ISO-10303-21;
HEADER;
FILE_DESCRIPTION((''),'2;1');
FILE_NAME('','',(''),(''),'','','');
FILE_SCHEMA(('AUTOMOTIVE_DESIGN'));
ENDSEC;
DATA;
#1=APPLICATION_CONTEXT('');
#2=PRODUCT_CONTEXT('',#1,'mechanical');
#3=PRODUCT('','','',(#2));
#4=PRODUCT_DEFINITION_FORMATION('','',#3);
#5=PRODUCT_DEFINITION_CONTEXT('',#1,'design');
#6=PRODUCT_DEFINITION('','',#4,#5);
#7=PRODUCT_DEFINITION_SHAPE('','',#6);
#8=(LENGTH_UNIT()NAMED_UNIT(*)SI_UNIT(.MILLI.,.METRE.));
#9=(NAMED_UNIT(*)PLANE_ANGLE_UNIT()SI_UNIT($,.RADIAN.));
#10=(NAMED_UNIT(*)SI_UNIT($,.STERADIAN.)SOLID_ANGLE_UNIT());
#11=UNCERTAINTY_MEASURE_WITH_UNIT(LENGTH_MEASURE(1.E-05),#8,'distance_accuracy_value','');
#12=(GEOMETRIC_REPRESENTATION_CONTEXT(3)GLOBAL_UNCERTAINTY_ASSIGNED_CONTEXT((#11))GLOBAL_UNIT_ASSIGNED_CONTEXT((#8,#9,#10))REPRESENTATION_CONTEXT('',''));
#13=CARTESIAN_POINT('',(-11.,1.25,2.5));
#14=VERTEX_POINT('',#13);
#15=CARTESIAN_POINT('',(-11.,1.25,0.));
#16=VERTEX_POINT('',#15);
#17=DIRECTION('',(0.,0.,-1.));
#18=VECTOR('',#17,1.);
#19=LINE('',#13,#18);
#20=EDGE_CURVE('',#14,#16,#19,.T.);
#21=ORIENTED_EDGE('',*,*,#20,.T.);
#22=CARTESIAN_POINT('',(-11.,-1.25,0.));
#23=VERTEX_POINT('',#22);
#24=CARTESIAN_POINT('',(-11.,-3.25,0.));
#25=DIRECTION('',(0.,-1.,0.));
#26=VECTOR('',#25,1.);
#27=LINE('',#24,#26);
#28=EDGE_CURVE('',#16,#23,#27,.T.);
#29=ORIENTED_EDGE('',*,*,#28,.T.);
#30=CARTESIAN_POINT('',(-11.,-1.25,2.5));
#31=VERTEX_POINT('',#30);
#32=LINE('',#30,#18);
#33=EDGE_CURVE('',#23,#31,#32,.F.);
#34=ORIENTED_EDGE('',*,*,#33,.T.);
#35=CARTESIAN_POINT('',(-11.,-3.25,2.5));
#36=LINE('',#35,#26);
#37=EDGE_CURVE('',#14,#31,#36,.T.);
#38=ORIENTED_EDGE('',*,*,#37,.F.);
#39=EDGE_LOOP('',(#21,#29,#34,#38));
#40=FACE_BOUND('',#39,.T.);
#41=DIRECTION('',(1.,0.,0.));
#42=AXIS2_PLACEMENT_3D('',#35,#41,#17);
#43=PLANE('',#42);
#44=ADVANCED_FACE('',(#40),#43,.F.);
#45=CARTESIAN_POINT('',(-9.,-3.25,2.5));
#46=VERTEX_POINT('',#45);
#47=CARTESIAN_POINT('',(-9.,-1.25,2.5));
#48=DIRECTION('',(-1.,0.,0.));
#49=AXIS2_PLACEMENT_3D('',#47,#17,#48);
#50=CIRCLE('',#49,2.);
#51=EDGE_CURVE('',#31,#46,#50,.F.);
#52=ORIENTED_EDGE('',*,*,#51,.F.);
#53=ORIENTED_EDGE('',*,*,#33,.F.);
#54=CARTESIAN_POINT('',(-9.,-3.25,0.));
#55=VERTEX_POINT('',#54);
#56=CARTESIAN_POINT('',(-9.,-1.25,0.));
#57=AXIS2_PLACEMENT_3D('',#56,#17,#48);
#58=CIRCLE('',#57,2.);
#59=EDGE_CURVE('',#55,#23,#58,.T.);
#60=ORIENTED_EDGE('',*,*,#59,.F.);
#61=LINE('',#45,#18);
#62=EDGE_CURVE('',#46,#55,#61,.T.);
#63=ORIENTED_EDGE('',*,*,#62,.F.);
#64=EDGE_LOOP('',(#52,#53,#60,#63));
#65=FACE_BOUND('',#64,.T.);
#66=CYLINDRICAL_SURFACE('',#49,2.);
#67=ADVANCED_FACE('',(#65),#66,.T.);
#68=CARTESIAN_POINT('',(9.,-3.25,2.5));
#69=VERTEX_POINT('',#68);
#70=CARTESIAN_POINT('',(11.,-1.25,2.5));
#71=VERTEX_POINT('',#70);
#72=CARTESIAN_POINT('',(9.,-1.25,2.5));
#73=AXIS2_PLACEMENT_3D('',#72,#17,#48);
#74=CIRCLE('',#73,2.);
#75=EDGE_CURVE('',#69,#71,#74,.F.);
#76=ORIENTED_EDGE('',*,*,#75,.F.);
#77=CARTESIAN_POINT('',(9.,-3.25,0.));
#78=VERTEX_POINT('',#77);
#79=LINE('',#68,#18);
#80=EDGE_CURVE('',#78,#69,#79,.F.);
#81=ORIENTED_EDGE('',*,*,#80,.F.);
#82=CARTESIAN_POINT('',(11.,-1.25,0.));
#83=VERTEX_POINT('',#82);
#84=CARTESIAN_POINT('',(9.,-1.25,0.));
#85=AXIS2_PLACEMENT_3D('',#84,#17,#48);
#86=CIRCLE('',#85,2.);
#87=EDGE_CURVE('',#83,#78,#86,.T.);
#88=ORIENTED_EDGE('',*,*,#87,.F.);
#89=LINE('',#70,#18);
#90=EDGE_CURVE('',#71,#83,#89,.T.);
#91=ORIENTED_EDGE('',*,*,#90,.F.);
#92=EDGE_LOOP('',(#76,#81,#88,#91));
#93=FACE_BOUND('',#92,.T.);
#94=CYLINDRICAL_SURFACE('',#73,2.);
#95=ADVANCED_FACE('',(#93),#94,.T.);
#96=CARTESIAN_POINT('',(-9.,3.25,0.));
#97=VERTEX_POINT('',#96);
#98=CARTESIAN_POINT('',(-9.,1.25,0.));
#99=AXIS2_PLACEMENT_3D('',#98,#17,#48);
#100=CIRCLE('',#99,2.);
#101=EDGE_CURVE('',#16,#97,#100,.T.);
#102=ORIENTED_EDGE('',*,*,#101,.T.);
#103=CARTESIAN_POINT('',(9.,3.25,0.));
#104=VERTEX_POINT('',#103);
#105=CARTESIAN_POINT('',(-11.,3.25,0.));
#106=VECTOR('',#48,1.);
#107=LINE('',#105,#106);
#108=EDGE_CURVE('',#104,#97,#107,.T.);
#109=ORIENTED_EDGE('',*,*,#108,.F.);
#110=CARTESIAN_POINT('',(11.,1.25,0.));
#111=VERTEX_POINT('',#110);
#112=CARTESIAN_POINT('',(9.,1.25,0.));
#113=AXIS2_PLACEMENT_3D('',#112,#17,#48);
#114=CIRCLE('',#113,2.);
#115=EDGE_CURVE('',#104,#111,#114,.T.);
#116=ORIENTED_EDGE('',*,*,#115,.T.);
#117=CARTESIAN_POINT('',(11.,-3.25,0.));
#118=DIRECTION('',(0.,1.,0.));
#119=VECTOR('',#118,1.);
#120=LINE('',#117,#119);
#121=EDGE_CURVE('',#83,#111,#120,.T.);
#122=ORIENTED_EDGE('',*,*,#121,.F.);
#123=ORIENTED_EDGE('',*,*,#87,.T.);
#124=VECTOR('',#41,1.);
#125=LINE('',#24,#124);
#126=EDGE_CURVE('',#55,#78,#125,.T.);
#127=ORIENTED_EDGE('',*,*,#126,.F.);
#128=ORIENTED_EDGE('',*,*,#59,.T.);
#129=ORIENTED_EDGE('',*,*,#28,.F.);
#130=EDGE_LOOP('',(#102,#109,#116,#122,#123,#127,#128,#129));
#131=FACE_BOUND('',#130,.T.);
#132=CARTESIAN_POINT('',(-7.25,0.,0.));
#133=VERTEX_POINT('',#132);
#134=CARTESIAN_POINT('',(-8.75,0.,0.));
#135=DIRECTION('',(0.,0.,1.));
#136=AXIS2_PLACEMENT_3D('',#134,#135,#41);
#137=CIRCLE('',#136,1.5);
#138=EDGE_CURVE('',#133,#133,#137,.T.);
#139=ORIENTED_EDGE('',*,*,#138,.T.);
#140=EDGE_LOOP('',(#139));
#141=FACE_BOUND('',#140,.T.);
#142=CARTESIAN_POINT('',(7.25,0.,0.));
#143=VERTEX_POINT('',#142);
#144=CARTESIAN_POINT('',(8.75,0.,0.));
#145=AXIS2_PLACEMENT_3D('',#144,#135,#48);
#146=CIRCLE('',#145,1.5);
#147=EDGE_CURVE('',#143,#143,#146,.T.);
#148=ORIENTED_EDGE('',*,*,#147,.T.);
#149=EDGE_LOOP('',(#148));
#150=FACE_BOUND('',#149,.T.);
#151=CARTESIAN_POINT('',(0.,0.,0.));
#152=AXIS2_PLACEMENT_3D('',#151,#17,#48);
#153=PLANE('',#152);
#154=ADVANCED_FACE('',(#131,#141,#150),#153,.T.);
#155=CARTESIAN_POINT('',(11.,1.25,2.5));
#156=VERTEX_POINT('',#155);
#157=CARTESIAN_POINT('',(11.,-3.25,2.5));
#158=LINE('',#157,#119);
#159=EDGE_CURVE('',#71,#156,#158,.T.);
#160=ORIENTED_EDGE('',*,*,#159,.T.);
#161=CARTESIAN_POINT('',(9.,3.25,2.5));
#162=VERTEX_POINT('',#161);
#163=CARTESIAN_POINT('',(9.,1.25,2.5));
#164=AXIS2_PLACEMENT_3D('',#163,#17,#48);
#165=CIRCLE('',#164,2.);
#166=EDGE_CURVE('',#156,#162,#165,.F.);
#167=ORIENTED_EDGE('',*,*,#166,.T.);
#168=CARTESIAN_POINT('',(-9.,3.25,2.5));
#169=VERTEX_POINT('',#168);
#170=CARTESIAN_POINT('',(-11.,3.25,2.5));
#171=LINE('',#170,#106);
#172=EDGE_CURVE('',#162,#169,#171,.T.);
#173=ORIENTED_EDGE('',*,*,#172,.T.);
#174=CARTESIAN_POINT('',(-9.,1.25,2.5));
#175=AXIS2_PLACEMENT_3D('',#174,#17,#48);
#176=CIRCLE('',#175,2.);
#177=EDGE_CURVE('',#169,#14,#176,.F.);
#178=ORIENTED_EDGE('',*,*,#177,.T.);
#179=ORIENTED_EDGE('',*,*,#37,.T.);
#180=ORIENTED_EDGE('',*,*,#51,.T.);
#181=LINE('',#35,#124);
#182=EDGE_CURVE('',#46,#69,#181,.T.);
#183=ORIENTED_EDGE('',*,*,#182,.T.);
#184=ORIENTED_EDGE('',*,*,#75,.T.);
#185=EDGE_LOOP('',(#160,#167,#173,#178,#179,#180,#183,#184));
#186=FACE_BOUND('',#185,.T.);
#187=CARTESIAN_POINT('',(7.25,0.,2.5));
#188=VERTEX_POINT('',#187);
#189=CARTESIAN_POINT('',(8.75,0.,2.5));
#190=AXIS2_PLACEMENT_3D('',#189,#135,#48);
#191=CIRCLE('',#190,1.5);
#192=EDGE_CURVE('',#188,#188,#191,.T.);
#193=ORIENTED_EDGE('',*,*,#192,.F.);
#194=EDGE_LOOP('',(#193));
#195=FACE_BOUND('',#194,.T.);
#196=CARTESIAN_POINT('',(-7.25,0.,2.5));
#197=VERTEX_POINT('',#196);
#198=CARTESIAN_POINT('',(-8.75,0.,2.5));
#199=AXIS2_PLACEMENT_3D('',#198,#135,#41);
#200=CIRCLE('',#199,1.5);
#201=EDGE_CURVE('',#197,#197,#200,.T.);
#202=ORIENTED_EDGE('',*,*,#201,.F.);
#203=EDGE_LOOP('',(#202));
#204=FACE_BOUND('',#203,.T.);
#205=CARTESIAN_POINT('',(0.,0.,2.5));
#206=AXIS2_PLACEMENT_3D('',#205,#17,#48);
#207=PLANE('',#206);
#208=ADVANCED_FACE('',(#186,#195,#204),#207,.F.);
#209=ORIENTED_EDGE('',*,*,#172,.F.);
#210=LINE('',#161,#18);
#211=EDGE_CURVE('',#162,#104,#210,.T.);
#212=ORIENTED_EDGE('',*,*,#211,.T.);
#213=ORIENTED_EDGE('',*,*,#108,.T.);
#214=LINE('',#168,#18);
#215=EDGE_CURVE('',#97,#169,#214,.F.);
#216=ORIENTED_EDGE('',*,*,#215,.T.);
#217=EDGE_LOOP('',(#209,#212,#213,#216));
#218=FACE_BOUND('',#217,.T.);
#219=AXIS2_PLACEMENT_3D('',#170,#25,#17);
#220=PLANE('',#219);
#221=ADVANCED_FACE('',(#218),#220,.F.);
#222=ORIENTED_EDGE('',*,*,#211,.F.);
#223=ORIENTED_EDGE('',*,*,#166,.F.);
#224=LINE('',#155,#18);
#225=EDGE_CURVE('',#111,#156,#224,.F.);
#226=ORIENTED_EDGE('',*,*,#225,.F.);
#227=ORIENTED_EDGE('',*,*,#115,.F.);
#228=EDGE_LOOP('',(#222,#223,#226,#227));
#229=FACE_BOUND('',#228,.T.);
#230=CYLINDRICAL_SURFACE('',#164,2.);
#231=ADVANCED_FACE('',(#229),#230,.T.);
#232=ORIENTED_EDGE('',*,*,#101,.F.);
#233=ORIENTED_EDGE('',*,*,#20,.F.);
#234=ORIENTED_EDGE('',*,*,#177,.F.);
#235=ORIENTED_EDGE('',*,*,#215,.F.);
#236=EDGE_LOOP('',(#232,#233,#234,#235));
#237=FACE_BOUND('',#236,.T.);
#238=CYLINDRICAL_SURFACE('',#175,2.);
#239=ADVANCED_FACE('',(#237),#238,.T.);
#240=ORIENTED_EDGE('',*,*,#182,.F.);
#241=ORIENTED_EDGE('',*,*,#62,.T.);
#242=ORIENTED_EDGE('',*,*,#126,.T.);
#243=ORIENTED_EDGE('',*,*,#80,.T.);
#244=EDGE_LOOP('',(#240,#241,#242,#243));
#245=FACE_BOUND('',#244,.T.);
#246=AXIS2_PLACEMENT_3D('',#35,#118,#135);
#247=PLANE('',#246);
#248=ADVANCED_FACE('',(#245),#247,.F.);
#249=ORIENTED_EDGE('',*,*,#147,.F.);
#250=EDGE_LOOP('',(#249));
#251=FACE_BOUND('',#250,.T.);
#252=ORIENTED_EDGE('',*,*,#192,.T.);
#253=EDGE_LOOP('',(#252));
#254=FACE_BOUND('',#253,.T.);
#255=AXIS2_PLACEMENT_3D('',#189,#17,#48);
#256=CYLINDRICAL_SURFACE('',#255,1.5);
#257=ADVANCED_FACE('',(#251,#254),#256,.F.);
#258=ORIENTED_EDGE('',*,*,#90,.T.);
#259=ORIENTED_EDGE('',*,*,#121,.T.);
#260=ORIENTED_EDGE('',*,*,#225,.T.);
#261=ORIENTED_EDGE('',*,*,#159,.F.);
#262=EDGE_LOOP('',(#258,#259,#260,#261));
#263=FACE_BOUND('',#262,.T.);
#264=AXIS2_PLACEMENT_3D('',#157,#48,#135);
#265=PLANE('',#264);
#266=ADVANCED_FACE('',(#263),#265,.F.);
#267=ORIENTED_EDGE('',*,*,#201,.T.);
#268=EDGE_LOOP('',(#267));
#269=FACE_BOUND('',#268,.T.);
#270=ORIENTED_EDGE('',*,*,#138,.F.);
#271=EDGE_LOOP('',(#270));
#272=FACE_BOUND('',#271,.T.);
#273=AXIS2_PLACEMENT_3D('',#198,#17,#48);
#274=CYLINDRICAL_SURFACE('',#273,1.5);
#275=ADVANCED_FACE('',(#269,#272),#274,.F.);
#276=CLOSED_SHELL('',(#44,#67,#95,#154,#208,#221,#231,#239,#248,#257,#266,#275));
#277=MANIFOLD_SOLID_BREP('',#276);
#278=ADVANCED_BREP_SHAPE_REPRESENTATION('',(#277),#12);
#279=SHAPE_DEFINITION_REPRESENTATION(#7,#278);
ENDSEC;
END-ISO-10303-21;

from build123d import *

# Parameters (mm, degrees)
SKETCH1_W           = 22
SKETCH1_H           = 6.5
SKETCH1_R           = 1.5
BOSS_EXTRUDE1_DEPTH = 2.5
FILLET4_R           = 2


with BuildPart() as part:
    # Sketch1 → Boss-Extrude1 (new body)
    with BuildSketch(Plane.XY):
        Rectangle(SKETCH1_W, SKETCH1_H)
        with Locations((-8.75, 0)):
            Circle(SKETCH1_R, mode=Mode.SUBTRACT)
        with Locations(Location((8.75, 0, 0), (0, 0, 180))):
            Circle(SKETCH1_R, mode=Mode.SUBTRACT)
    extrude(amount=BOSS_EXTRUDE1_DEPTH)

    # Fillet4
    fillet4_edges = [part.edges().sort_by_distance(p)[0] for p in [
        (11, -3.25, 1.25),
        (-11, -3.25, 1.25),
        (-11, 3.25, 1.25),
        (11, 3.25, 1.25),
    ]]
    fillet(fillet4_edges, radius=FILLET4_R)


solid = part.part
